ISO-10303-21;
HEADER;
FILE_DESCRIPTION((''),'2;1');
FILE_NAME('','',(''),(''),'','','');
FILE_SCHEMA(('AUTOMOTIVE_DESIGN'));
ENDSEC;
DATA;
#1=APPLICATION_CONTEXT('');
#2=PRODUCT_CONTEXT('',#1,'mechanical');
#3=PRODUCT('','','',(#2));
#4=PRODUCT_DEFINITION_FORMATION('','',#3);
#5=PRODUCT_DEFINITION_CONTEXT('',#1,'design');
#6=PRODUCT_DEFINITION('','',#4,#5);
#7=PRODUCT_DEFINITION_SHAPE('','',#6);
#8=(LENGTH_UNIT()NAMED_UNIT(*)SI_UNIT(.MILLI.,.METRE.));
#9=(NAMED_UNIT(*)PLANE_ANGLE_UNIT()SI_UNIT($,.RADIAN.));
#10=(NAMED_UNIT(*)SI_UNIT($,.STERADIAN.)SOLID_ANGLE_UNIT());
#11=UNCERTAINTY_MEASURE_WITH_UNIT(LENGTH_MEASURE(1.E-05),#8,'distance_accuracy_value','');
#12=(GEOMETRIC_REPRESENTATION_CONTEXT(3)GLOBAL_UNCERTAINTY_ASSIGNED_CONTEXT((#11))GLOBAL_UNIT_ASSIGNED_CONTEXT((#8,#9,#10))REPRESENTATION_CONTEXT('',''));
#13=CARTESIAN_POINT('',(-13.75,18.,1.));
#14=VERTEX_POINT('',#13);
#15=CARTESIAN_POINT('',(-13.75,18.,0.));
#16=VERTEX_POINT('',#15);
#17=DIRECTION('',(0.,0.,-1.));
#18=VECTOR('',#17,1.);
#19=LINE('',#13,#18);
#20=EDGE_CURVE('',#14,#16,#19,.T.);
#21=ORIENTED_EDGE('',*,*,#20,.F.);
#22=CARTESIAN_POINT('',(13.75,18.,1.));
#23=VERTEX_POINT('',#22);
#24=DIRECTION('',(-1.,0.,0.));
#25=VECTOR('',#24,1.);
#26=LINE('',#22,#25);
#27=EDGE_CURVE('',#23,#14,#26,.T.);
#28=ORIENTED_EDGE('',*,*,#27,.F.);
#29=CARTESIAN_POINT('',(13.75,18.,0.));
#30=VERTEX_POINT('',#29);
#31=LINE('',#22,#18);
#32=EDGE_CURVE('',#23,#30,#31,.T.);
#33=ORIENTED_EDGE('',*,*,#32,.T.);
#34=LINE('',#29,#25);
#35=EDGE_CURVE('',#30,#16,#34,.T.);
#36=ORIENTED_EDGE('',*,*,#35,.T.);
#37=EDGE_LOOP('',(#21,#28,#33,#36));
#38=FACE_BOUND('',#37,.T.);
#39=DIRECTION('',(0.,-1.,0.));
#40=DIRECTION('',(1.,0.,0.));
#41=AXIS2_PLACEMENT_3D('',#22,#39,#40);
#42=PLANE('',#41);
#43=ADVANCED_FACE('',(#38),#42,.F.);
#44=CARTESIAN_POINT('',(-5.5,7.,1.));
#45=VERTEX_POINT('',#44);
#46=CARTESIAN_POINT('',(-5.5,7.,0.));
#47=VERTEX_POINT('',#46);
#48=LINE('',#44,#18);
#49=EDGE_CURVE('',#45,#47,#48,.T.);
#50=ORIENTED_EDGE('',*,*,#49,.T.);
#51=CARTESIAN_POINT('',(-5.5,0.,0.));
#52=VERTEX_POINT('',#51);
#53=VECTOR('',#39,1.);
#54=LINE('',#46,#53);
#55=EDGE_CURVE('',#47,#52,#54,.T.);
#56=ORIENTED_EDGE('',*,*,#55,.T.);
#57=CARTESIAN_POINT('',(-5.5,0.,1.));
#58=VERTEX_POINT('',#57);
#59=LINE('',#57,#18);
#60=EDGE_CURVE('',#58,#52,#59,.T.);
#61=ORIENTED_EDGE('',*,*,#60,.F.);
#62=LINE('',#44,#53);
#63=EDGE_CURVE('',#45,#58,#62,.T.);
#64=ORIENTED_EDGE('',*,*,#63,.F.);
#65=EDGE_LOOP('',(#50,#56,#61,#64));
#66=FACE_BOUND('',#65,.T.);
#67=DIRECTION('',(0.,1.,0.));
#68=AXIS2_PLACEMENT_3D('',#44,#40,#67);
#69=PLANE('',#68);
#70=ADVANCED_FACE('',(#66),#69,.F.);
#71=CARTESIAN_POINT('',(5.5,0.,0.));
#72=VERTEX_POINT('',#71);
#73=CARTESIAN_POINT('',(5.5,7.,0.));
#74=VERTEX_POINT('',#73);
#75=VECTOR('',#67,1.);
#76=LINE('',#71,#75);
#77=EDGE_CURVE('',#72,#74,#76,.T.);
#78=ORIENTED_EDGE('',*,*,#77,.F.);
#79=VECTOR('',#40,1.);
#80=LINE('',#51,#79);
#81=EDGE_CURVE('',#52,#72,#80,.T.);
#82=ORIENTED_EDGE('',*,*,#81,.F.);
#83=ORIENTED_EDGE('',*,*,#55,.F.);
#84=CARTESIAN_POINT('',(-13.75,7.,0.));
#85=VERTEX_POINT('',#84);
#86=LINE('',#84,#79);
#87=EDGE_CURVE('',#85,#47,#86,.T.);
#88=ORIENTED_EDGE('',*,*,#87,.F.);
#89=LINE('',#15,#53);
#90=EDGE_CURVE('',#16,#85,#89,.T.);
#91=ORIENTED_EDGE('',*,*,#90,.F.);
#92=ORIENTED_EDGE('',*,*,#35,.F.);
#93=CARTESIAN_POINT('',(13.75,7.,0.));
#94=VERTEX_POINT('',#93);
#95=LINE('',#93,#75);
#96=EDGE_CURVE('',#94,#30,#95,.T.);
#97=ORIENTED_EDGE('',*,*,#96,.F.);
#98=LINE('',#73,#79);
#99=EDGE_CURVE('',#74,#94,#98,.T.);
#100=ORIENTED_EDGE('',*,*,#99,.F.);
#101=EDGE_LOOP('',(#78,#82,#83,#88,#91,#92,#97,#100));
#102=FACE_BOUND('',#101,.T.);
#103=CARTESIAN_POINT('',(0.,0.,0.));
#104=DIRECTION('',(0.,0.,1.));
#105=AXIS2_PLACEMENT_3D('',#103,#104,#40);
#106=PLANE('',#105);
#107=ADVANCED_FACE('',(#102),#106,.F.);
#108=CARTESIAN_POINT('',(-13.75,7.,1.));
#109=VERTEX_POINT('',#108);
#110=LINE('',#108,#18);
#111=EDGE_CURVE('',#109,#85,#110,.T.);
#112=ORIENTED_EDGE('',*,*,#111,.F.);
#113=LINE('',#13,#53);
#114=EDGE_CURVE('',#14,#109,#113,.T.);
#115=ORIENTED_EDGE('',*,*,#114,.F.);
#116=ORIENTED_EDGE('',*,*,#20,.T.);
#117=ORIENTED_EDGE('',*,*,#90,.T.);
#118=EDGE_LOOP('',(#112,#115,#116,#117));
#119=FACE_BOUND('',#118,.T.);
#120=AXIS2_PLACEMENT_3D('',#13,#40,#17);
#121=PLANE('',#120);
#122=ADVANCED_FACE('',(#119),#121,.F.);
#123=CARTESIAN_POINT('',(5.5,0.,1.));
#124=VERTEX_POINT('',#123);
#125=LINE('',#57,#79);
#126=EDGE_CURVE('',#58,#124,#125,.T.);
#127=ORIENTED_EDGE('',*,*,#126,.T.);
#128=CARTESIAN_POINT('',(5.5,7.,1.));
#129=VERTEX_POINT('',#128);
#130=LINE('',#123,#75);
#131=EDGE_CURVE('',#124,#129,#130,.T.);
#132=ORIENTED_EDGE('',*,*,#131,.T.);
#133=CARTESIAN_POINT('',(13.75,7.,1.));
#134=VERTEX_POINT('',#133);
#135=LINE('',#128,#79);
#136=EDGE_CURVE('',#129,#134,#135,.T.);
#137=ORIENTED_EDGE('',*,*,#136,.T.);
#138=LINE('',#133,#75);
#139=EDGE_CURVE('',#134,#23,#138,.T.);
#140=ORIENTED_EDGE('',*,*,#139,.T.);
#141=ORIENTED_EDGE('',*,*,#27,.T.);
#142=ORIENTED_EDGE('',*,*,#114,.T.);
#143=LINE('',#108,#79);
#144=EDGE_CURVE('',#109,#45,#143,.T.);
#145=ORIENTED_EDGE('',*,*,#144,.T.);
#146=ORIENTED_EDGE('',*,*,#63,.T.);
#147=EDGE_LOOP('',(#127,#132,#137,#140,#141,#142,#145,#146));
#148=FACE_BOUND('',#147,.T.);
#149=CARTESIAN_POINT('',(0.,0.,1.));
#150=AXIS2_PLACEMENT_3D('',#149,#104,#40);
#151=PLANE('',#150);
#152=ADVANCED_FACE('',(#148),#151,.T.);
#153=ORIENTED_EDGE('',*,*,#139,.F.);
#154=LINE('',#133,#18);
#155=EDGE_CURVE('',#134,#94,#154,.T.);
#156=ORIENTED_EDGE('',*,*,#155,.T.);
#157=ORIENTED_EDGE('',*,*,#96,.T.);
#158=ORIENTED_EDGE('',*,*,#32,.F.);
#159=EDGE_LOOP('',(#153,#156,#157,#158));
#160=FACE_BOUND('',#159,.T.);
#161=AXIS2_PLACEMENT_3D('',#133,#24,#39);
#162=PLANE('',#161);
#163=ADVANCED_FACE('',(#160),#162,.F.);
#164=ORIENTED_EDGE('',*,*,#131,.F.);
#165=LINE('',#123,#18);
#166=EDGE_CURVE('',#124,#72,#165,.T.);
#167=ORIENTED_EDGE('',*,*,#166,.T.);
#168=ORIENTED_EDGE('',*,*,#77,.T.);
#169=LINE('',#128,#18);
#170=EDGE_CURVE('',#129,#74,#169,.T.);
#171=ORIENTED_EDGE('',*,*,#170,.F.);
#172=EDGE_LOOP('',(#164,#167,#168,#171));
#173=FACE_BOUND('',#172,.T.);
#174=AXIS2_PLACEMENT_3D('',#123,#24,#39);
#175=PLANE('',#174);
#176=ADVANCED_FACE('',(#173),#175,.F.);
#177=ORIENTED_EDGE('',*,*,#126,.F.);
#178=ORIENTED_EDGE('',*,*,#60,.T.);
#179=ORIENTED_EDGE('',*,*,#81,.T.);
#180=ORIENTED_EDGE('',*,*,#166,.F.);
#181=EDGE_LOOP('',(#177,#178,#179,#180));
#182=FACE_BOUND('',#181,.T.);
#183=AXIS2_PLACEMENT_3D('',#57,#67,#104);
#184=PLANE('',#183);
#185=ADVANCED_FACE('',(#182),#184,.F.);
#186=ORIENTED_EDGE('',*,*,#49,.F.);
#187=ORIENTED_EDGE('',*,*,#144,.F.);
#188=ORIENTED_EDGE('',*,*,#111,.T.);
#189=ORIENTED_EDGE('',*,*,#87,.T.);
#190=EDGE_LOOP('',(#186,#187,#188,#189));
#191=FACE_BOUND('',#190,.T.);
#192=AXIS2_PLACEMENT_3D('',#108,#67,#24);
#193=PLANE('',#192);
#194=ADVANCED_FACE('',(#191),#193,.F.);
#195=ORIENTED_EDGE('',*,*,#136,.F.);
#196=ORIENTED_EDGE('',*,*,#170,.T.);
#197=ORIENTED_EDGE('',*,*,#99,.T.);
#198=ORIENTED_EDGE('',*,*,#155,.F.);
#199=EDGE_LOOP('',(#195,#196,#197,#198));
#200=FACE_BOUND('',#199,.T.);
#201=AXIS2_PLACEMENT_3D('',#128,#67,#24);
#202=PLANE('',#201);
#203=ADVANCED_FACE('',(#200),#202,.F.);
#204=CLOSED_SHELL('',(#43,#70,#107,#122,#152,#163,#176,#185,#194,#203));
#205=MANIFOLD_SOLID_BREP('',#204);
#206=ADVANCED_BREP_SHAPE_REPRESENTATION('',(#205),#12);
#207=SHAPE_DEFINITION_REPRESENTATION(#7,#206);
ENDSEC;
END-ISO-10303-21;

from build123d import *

# Parameters (mm, degrees)
SALIENTE_EXTRUIR1_DEPTH = 1


with BuildPart() as part:
    # Croquis1 → Saliente-Extruir1 (new body)
    with BuildSketch(Plane.XY):
        Polygon((-5.5, 0), (5.5, 0), (5.5, 7), (13.75, 7), (13.75, 18), (-13.75, 18), (-13.75, 7), (-5.5, 7), align=None)
    extrude(amount=SALIENTE_EXTRUIR1_DEPTH)


solid = part.part
